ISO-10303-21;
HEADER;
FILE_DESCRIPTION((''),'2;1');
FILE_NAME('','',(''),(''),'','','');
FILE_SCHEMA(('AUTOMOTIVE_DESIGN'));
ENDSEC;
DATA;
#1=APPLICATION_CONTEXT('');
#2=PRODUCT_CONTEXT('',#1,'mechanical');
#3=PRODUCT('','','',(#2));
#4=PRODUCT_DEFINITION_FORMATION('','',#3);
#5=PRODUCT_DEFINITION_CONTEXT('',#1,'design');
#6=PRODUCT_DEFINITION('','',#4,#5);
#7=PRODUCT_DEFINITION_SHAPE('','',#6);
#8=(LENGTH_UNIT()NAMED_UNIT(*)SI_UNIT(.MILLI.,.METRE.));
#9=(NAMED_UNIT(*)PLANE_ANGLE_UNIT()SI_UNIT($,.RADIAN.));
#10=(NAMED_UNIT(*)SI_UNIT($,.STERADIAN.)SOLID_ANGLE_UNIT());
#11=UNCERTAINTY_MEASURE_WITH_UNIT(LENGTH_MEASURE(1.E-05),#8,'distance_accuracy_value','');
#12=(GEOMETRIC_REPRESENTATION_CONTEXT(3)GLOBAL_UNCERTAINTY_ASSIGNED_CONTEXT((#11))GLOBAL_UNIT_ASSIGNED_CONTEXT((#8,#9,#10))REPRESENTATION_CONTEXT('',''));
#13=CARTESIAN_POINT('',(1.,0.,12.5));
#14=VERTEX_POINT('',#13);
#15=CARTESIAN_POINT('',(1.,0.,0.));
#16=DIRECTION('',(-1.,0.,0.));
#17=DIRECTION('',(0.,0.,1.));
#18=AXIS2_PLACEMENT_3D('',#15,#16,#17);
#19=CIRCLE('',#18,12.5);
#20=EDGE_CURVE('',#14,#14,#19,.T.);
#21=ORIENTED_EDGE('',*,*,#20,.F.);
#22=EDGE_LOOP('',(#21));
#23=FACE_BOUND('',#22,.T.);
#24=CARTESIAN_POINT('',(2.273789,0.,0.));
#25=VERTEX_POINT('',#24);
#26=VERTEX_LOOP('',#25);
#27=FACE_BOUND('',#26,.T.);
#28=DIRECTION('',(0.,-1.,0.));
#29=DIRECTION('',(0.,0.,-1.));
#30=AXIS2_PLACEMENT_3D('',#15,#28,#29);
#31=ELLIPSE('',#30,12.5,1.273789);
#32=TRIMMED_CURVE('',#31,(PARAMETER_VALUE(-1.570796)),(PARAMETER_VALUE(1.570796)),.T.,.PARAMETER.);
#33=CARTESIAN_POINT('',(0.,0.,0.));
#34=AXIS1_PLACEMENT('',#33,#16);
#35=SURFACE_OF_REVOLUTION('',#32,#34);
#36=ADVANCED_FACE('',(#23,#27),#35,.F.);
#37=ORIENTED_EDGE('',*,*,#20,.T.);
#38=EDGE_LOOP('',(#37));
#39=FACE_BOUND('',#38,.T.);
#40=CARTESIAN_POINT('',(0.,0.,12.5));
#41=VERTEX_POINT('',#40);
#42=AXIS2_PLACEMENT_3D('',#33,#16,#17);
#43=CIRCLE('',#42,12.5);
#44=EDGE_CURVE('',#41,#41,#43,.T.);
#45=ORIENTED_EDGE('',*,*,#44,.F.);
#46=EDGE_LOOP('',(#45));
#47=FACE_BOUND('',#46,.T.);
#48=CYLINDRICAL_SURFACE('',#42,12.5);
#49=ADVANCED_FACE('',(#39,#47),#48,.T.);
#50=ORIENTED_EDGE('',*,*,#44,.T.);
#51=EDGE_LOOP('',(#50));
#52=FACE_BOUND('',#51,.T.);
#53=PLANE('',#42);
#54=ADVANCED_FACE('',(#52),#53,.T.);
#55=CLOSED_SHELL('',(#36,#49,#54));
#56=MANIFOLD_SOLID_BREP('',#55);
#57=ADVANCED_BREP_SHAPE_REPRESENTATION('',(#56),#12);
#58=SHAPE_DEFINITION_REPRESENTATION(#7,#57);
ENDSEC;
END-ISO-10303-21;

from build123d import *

# Parameters (mm, degrees)
SKETCH1_W = 1
SKETCH1_H = 12.5


with BuildPart() as part:
    # Sketch1 → Revolve1 (revolve)
    with BuildSketch(Plane(origin=(0, 0, 0), x_dir=(1, 0, 0), z_dir=(0, 1, 0))):
        with BuildLine():
            add(Edge.make_bspline(
                [(2.273788661, 0), (2.273788661, 12.5), (1, 12.5)],
                knots=[4.71238898, 4.71238898, 4.71238898, 6.283185307, 6.283185307, 6.283185307], degree=2, weights=[1, 0.707106781, 1]))
            Line((1, 12.5), (1, 0))
            Line((1, 0), (2.273788661, 0))
        make_face()
        with Locations((0.5, 6.25)):
            Rectangle(SKETCH1_W, SKETCH1_H)
    revolve(axis=Axis((0, 0, 0), (1, 0, 0)))


solid = part.part
